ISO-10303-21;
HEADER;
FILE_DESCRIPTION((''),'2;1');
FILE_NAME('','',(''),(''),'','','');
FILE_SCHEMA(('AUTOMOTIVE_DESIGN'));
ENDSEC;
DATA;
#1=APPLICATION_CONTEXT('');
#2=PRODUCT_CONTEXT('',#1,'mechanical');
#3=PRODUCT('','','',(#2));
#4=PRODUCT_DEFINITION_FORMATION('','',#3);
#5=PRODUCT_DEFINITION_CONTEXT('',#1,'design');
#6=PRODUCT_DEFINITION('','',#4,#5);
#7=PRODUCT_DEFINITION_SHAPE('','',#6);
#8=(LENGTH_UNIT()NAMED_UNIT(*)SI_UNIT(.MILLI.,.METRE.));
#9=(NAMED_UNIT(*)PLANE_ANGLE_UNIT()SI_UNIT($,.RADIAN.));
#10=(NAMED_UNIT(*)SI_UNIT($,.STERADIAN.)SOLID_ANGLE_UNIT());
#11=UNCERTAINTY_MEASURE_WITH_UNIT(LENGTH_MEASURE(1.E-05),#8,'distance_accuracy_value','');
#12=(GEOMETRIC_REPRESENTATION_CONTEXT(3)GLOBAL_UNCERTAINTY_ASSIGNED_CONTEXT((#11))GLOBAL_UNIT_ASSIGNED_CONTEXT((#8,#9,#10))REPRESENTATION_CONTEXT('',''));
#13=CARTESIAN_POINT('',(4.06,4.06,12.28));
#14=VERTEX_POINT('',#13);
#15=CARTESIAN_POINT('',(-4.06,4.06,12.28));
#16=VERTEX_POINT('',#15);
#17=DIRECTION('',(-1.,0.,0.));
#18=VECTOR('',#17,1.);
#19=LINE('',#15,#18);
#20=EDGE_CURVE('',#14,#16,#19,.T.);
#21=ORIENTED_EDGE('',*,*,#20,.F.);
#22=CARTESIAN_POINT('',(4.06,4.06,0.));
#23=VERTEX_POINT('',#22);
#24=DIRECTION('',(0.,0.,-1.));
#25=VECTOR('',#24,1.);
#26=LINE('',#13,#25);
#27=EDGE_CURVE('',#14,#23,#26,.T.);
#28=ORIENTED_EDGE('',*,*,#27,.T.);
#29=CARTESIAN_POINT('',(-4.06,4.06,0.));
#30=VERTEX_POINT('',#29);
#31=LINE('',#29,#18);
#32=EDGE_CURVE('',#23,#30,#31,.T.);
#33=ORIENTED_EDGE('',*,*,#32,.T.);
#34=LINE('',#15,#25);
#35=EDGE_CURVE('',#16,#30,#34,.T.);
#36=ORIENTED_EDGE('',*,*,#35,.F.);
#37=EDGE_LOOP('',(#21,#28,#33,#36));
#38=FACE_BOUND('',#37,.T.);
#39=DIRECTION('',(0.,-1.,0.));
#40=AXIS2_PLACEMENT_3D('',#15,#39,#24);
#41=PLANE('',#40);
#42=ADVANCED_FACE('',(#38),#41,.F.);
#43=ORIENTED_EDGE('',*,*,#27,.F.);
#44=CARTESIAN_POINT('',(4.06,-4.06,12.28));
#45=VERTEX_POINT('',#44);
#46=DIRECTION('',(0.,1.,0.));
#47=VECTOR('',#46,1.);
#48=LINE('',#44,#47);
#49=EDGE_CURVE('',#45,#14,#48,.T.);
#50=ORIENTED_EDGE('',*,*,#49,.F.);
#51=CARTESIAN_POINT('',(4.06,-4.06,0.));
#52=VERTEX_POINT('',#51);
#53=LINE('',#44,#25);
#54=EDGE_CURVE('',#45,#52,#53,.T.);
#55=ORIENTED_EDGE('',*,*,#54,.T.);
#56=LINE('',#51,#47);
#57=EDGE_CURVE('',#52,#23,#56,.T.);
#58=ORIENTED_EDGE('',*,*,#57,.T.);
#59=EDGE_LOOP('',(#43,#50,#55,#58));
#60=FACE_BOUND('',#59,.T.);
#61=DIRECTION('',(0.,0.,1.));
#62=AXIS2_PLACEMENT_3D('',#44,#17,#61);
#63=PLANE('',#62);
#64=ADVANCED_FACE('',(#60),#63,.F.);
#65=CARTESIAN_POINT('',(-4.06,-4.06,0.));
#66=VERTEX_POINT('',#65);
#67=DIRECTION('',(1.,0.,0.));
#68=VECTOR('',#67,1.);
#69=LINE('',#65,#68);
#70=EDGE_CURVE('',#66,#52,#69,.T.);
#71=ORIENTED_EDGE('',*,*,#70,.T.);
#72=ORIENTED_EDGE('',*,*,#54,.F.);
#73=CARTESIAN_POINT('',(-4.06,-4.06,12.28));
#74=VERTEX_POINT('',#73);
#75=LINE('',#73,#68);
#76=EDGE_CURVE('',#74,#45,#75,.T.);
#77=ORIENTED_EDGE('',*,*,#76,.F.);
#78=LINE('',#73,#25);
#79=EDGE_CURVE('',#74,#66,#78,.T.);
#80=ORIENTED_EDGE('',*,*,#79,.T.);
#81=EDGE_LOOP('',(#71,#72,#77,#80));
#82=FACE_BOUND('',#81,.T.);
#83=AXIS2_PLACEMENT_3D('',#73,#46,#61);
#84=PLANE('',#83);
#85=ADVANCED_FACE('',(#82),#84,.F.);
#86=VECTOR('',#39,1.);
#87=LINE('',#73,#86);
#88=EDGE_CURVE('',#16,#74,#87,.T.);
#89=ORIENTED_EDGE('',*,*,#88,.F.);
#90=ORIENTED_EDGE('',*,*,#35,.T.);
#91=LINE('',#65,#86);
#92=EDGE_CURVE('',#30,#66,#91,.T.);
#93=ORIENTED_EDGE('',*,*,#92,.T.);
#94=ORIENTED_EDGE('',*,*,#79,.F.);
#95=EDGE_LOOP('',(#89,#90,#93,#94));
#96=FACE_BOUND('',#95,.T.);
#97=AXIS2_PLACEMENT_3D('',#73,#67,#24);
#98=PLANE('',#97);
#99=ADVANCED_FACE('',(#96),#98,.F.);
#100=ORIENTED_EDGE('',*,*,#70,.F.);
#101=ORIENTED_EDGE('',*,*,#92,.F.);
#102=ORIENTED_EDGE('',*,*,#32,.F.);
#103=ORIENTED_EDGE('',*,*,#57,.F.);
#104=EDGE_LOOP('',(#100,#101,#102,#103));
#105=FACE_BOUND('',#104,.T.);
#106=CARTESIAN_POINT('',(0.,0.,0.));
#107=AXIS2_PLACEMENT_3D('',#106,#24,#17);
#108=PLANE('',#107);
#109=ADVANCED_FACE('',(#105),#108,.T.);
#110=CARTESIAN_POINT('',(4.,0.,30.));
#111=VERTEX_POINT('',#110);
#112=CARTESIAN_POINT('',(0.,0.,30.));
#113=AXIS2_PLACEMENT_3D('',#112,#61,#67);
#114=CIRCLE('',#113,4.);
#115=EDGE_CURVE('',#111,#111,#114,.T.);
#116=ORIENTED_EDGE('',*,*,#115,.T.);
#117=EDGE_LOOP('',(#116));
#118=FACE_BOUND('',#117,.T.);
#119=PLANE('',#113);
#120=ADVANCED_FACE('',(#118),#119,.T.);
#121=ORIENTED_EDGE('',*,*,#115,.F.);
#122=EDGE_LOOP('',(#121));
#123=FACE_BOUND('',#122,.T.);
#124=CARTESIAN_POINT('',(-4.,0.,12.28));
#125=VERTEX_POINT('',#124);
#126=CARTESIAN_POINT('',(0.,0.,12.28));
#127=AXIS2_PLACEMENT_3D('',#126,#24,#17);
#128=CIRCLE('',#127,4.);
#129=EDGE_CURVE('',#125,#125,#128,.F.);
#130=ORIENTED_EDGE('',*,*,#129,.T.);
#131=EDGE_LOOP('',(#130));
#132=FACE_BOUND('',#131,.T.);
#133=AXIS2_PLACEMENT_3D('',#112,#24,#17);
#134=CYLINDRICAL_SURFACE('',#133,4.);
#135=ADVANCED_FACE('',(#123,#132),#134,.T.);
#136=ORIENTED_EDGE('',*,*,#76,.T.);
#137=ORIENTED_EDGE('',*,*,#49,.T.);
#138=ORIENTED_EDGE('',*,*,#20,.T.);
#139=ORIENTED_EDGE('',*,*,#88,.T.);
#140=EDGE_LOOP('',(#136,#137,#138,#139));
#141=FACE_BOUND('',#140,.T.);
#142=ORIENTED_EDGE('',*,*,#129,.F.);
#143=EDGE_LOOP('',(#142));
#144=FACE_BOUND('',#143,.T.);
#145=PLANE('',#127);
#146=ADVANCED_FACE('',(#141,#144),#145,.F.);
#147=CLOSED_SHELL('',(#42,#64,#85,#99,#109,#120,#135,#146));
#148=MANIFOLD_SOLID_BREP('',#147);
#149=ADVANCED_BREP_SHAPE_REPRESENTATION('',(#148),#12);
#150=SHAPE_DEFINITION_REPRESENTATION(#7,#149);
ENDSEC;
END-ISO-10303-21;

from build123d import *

# Parameters (mm, degrees)
SKETCH1_W           = 8.12
SKETCH1_H           = 8.12
BOSS_EXTRUDE1_DEPTH = 12.28
SKETCH2_R           = 4
BOSS_EXTRUDE2_DEPTH = 30


with BuildPart() as part:
    # Sketch1 → Boss-Extrude1 (new body)
    with BuildSketch(Plane.XY):
        Rectangle(SKETCH1_W, SKETCH1_H)
    extrude(amount=BOSS_EXTRUDE1_DEPTH)

    # Sketch2 → Boss-Extrude2 (add)
    with BuildSketch(Plane.XY):
        with Locations(Location((0, 0, 0), (0, 0, 180))):
            Circle(SKETCH2_R)
    extrude(amount=BOSS_EXTRUDE2_DEPTH)


solid = part.part
